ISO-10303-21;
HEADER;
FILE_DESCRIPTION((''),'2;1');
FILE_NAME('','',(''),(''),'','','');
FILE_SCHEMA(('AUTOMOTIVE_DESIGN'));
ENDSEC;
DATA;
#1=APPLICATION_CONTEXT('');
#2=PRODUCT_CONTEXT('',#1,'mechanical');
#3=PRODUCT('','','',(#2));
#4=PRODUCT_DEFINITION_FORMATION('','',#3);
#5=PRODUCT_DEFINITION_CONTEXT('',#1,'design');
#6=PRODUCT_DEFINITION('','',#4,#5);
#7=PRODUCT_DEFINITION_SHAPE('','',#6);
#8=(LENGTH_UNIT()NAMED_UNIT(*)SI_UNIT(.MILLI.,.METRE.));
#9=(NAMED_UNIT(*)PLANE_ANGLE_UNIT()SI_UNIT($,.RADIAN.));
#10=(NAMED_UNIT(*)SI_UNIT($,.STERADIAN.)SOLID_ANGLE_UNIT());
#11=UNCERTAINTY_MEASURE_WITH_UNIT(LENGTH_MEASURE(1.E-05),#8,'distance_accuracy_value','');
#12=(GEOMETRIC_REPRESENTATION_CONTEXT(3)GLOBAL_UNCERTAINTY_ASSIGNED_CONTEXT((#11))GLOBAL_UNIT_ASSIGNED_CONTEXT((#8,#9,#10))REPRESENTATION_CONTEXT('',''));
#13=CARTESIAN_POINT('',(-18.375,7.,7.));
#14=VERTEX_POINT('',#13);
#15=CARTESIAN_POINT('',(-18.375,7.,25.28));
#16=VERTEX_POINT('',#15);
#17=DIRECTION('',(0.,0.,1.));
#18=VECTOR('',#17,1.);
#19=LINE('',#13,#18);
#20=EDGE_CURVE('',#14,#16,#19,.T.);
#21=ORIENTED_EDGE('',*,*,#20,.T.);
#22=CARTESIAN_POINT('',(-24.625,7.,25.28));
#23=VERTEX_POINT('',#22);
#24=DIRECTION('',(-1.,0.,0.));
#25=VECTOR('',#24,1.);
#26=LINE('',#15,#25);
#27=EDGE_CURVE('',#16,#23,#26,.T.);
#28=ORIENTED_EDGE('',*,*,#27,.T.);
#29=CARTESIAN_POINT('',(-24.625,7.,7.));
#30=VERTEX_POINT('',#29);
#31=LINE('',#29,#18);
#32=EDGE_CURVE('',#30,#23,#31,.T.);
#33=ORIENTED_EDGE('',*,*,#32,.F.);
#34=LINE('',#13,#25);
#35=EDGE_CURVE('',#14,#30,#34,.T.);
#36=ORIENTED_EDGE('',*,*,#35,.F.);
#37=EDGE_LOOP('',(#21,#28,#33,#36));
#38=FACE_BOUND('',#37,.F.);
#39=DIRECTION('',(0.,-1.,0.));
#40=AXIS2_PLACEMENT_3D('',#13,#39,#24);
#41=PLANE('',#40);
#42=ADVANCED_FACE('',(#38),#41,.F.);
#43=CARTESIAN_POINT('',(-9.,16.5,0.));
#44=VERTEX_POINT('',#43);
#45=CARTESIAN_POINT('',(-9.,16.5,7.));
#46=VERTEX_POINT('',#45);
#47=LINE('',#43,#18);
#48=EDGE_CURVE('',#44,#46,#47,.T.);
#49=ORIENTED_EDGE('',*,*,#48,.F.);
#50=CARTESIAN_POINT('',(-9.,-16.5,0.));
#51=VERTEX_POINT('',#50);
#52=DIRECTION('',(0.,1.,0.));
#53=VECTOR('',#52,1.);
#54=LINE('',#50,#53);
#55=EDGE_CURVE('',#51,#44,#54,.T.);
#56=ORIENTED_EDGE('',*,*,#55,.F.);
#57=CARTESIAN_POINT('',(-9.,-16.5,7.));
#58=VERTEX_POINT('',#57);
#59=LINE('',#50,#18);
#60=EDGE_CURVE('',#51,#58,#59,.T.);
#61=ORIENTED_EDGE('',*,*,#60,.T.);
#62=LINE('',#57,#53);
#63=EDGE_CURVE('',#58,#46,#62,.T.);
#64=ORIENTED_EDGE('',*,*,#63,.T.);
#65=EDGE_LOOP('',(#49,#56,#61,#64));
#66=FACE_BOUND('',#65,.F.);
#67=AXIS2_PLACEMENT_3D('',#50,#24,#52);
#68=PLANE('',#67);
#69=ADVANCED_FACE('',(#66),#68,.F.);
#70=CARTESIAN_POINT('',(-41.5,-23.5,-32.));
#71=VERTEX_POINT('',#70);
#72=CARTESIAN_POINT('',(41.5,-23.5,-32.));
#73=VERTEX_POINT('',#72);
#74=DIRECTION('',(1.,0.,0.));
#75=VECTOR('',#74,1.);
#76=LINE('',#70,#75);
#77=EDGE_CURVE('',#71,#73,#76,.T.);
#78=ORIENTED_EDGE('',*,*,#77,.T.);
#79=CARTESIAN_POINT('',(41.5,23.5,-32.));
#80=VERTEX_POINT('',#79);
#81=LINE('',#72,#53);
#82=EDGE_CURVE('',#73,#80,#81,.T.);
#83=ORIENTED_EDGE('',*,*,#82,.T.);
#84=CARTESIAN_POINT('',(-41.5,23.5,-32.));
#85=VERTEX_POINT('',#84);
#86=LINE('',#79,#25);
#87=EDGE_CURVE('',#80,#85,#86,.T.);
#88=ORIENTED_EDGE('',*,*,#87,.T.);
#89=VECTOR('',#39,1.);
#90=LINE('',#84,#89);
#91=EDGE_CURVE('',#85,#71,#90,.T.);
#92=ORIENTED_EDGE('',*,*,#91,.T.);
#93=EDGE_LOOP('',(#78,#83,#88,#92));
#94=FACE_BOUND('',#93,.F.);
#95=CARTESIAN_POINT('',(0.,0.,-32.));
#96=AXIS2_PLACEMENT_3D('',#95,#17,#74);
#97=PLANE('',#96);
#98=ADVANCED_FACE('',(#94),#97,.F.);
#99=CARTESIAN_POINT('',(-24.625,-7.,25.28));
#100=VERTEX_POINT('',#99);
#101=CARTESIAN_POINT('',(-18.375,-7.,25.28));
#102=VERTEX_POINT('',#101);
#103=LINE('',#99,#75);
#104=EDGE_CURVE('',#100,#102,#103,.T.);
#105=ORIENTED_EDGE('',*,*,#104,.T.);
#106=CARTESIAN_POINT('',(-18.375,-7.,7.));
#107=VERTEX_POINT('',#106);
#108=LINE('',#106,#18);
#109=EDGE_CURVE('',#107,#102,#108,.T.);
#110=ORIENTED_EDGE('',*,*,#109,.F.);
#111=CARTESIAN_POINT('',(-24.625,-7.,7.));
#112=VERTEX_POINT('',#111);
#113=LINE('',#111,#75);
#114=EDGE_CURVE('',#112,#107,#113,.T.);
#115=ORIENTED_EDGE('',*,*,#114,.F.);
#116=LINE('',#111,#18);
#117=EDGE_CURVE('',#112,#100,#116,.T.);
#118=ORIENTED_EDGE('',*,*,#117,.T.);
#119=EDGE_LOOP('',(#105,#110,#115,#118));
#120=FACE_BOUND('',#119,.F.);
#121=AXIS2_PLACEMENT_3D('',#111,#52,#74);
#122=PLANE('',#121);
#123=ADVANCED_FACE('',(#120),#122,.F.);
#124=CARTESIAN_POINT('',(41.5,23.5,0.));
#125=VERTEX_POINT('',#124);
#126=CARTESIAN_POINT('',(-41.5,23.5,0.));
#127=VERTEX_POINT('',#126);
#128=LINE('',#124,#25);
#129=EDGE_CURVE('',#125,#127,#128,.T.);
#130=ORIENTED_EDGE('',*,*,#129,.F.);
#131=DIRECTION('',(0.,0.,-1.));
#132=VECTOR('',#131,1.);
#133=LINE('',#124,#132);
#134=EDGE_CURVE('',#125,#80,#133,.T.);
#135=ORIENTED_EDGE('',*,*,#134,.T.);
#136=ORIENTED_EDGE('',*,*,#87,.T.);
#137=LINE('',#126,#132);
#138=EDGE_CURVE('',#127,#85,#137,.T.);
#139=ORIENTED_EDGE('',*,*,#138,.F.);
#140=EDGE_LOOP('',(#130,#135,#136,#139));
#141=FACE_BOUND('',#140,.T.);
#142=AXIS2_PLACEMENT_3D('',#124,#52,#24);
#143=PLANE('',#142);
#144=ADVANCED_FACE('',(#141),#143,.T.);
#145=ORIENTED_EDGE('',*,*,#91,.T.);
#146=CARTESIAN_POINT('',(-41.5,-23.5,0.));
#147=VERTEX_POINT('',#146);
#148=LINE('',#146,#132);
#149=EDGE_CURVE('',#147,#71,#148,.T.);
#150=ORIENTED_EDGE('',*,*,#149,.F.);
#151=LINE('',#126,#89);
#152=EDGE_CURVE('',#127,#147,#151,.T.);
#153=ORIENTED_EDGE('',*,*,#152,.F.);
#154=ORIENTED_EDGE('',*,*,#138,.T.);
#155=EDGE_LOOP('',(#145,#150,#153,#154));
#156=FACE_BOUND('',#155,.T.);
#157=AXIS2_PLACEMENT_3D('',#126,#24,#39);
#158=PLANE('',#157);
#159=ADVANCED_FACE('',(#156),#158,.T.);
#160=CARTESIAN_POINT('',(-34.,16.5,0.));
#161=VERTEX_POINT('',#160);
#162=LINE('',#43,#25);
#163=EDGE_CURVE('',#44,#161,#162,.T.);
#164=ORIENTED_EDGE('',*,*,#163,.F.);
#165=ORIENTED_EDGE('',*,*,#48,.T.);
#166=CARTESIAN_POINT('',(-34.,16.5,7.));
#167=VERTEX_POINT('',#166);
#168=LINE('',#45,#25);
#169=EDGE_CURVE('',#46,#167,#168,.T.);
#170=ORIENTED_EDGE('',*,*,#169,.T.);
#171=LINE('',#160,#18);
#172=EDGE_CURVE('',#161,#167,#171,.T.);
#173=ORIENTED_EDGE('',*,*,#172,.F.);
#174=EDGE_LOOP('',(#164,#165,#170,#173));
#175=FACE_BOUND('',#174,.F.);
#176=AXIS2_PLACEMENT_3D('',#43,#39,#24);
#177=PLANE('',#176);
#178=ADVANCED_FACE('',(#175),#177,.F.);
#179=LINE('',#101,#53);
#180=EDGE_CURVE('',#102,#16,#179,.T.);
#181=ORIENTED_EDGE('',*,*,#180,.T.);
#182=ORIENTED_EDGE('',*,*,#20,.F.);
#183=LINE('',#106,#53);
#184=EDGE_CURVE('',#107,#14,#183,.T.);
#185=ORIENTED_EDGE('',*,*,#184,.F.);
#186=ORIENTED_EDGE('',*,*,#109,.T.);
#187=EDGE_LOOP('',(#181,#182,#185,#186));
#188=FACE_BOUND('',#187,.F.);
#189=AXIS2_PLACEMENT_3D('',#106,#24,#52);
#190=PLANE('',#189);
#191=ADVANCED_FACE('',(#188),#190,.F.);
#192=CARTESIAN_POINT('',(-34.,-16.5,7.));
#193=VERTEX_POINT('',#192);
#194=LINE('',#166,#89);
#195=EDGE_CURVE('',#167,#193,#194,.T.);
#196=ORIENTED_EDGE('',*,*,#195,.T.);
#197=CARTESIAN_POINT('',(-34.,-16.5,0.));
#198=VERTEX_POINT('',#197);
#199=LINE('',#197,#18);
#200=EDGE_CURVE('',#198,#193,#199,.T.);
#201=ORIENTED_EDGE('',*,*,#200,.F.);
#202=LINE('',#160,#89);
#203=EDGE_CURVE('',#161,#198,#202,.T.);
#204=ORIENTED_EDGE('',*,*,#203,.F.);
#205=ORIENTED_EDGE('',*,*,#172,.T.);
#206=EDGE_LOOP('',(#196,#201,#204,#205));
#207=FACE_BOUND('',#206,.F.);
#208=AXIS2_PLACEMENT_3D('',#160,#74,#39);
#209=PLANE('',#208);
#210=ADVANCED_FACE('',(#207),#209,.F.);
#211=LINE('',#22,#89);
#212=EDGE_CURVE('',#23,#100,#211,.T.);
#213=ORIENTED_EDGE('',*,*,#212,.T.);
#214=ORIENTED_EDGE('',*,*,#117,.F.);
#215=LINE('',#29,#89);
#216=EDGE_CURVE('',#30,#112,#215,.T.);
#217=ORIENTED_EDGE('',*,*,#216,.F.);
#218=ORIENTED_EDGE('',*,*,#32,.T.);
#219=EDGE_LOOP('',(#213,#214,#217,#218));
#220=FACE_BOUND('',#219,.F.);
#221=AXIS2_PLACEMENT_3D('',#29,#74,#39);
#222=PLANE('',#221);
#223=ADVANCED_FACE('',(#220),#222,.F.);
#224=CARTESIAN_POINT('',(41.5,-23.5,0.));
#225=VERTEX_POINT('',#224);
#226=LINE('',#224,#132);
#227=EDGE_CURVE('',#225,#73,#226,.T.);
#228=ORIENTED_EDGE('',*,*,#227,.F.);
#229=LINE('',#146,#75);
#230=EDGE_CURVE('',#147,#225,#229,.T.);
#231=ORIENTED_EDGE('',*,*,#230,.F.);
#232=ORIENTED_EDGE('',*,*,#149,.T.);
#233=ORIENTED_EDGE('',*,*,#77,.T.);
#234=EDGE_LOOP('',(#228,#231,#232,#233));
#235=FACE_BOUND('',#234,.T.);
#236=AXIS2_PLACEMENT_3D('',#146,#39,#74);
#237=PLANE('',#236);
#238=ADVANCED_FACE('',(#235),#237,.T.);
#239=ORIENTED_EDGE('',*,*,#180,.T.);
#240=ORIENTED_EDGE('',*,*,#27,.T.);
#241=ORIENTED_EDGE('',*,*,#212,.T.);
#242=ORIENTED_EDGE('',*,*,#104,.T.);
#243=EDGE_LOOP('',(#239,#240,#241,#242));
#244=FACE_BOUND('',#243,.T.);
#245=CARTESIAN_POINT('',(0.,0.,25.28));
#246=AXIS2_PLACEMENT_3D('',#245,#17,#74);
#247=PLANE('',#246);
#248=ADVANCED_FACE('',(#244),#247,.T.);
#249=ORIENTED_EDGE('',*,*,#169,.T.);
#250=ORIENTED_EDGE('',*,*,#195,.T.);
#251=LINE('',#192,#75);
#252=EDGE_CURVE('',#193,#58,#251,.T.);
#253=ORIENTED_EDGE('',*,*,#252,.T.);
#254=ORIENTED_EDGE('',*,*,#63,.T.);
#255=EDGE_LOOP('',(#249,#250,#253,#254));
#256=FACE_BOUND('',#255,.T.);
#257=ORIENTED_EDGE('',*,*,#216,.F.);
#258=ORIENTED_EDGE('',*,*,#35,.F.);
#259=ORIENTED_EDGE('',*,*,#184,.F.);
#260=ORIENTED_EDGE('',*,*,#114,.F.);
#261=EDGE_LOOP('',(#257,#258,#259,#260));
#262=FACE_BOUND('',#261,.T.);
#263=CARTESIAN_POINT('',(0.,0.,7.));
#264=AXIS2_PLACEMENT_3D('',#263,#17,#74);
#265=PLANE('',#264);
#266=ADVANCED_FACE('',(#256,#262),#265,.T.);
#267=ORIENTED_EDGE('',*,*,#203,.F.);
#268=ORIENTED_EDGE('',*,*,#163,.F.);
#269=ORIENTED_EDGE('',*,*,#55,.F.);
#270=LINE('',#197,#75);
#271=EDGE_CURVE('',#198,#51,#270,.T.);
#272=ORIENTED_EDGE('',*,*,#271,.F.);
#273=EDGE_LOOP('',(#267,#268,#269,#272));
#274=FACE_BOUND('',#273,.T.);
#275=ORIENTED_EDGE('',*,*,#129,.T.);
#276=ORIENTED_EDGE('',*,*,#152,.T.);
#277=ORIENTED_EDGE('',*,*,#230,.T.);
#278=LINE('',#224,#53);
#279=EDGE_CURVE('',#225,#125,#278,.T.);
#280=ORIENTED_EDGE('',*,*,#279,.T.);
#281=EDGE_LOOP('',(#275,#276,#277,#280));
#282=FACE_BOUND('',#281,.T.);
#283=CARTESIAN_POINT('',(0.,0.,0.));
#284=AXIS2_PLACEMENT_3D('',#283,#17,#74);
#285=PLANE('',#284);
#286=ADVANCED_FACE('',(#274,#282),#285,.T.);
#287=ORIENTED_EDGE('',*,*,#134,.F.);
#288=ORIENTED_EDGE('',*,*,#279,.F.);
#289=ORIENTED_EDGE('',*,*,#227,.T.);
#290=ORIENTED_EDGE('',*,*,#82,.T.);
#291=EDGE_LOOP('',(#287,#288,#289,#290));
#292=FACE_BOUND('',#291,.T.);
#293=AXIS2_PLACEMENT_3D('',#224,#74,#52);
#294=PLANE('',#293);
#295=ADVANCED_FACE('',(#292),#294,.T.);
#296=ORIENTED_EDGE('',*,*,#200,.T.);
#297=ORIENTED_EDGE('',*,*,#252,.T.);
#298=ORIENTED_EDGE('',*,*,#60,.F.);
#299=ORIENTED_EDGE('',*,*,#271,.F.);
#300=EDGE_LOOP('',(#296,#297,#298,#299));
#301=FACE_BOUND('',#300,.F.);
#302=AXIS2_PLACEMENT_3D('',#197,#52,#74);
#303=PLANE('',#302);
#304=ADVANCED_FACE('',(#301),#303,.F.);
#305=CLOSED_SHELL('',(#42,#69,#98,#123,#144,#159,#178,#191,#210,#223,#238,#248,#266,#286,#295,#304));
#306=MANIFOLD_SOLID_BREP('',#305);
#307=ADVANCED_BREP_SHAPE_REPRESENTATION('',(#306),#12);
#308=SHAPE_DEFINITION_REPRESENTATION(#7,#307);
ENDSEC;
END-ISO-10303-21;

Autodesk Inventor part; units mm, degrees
ref_plane "YZ Plane" through (0, 0, 0) normal (1, 0, 0) x (0, 1, 0)
ref_plane "XZ Plane" through (0, 0, 0) normal (0, 1, 0) x (-1, 0, 0)
ref_plane "XY Plane" through (0, 0, 0) normal (0, 0, 1) x (1, 0, 0)
sketch "Sketch8" plane through (0, 0, 0) normal (0, 0, 1) x (1, 0, 0)
  line L0 (-41.5, -23.5) -> (41.5, -23.5)
  line L1 (41.5, -23.5) -> (41.5, 23.5)
  line L2 (41.5, 23.5) -> (-41.5, 23.5)
  line L3 (-41.5, 23.5) -> (-41.5, -23.5)
  line L4 (-41.5, -23.5) -> (41.5, 23.5) construction
  line L5 (41.5, -23.5) -> (-41.5, 23.5) construction
  point P0 (0, 0)
  dimension "d31" = 47
  dimension "d32" = 83
extrude "Extrusion6" add sketch "Sketch8" against normal blind 32
sketch "Sketch9" plane through (0, 0, 0) normal (0, 0, 1) x (1, 0, 0)
  line L0 (-41.5, -23.5) -> (-41.5, 23.5) construction
  line L1 (-41.5, 0) -> (41.5, 0) construction
  line L2 (41.5, 23.5) -> (41.5, -23.5) construction
  line L3 (-34, -16.5) -> (-9, -16.5)
  line L4 (-9, -16.5) -> (-9, 16.5)
  line L5 (-9, 16.5) -> (-34, 16.5)
  line L6 (-34, 16.5) -> (-34, -16.5)
  line L7 (-34, -16.5) -> (-9, 16.5) construction
  line L8 (-9, -16.5) -> (-34, 16.5) construction
  point P0 (0, 0)
  point P1 (-21.5, 0)
  point P2 (-21.5, 0)
  dimension "d35" = 20
  dimension "d36" = 25
  dimension "d37" = 33
extrude "Extrusion7" add sketch "Sketch9" along normal blind 7
sketch "Sketch10" plane through (0, 0, 7) normal (0, 0, 1) x (1, 0, 0)
  line L0 (-34, -16.5) -> (-34, 16.5) construction
  line L1 (-34, 0) -> (-9, 0) construction
  line L2 (-9, 16.5) -> (-9, -16.5) construction
  line L3 (-24.625, -7) -> (-18.375, -7)
  line L4 (-18.375, -7) -> (-18.375, 7)
  line L5 (-18.375, 7) -> (-24.625, 7)
  line L6 (-24.625, 7) -> (-24.625, -7)
  line L7 (-24.625, -7) -> (-18.375, 7) construction
  line L8 (-18.375, -7) -> (-24.625, 7) construction
  line L9 (-41.5, 23.5) -> (-41.5, -23.5) projected
  point P0 (0, 0)
  point P1 (-21.5, 0)
  point P2 (-21.5, 0)
  dimension "d40" = 20
  dimension "d41" = 14
  dimension "d42" = 6.25
extrude "Extrusion8" add sketch "Sketch10" along normal blind 18.28
equation "\"d31\" = poeWidth"
equation "\"d32\" = poeLength"
equation "\"d33\" = poeMajorDepth"
equation "\"d35\" = plugBaseCenterFromTop"
equation "\"d36\" = plugBaseLength"
equation "\"d37\" = plugBaseWidth"
equation "\"d38\" = plugBaseDepth"
equation "\"d40\" = plugCenterFromTop"
equation "\"d41\" = plugWidth"
equation "\"d42\" = plugLength"
equation "\"d43\" = plugDepth"
equation "\"poeLength\" = 83"
equation "\"poeWidth\" = 47"
equation "\"poeMajorDepth\" = 32"
equation "\"plugBaseWidth\" = 33"
equation "\"plugBaseLength\" = 25"
equation "\"plugBaseDepth\" = 7"
equation "\"plugBaseCenterFromTop\" = 20"
equation "\"plugWidth\" = 14"
equation "\"plugLength\" = 6.25"
equation "\"plugDepth\" = 18.28"
equation "\"plugCenterFromTop\" = 20"
properties part number "poeAdapter" material "PC/ABS Plastic"
